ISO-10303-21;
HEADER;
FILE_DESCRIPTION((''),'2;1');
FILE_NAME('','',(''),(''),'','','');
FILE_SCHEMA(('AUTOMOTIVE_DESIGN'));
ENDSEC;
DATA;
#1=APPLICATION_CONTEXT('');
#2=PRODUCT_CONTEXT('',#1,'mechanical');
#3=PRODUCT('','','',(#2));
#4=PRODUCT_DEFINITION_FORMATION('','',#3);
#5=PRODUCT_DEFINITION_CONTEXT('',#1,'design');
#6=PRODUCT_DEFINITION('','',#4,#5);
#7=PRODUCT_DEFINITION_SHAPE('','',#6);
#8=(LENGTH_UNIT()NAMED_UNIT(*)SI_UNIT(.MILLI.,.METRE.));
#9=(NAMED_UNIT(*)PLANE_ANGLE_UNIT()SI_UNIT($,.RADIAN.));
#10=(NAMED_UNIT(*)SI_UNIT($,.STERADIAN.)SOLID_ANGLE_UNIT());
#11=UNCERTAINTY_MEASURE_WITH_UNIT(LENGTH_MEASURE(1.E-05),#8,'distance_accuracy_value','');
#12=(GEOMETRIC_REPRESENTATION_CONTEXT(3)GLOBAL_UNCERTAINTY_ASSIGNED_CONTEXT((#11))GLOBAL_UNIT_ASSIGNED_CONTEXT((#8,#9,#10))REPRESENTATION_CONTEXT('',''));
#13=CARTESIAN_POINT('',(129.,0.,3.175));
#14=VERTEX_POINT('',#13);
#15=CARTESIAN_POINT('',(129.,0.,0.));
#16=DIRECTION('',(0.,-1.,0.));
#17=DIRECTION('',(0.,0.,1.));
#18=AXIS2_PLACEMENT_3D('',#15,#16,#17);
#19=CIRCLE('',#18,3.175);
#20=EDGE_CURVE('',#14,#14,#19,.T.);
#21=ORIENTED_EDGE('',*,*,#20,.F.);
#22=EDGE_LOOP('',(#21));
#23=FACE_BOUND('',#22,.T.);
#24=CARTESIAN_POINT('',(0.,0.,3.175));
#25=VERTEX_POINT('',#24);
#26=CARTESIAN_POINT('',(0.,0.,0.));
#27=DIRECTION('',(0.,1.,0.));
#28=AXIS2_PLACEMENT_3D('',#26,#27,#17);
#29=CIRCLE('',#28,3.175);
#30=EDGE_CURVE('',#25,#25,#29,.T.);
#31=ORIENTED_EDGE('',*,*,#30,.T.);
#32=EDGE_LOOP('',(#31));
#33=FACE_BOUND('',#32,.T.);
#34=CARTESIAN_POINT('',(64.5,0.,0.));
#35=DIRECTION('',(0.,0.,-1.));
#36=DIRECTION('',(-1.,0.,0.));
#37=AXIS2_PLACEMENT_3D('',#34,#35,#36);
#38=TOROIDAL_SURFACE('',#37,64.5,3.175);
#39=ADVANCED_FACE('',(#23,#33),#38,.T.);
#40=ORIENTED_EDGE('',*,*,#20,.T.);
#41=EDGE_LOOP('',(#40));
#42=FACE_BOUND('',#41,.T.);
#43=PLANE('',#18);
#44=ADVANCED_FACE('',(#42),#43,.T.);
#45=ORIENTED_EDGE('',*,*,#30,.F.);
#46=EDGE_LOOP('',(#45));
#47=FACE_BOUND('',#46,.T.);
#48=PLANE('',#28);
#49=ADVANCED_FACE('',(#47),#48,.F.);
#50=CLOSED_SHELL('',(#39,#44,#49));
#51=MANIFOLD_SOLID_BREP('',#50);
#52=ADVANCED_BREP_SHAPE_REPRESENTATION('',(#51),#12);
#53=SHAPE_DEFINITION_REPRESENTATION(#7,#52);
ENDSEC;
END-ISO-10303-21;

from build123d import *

# Parameters (mm, degrees)
SKETCH3_R = 3.175


with BuildPart() as part:
    # Sweep1: sweep along a path in Sketch2
    with BuildLine(Plane.XY) as sweep1_path:
        ThreePointArc((0, 0), (64.5, 64.5), (129, 0))
    # Sketch3 → Sweep1 (sweep)
    with BuildSketch(Plane(origin=(0, 0, 0), x_dir=(1, 0, 0), z_dir=(0, 1, 0))):
        Circle(SKETCH3_R)
    sweep(path=sweep1_path.line)


solid = part.part
